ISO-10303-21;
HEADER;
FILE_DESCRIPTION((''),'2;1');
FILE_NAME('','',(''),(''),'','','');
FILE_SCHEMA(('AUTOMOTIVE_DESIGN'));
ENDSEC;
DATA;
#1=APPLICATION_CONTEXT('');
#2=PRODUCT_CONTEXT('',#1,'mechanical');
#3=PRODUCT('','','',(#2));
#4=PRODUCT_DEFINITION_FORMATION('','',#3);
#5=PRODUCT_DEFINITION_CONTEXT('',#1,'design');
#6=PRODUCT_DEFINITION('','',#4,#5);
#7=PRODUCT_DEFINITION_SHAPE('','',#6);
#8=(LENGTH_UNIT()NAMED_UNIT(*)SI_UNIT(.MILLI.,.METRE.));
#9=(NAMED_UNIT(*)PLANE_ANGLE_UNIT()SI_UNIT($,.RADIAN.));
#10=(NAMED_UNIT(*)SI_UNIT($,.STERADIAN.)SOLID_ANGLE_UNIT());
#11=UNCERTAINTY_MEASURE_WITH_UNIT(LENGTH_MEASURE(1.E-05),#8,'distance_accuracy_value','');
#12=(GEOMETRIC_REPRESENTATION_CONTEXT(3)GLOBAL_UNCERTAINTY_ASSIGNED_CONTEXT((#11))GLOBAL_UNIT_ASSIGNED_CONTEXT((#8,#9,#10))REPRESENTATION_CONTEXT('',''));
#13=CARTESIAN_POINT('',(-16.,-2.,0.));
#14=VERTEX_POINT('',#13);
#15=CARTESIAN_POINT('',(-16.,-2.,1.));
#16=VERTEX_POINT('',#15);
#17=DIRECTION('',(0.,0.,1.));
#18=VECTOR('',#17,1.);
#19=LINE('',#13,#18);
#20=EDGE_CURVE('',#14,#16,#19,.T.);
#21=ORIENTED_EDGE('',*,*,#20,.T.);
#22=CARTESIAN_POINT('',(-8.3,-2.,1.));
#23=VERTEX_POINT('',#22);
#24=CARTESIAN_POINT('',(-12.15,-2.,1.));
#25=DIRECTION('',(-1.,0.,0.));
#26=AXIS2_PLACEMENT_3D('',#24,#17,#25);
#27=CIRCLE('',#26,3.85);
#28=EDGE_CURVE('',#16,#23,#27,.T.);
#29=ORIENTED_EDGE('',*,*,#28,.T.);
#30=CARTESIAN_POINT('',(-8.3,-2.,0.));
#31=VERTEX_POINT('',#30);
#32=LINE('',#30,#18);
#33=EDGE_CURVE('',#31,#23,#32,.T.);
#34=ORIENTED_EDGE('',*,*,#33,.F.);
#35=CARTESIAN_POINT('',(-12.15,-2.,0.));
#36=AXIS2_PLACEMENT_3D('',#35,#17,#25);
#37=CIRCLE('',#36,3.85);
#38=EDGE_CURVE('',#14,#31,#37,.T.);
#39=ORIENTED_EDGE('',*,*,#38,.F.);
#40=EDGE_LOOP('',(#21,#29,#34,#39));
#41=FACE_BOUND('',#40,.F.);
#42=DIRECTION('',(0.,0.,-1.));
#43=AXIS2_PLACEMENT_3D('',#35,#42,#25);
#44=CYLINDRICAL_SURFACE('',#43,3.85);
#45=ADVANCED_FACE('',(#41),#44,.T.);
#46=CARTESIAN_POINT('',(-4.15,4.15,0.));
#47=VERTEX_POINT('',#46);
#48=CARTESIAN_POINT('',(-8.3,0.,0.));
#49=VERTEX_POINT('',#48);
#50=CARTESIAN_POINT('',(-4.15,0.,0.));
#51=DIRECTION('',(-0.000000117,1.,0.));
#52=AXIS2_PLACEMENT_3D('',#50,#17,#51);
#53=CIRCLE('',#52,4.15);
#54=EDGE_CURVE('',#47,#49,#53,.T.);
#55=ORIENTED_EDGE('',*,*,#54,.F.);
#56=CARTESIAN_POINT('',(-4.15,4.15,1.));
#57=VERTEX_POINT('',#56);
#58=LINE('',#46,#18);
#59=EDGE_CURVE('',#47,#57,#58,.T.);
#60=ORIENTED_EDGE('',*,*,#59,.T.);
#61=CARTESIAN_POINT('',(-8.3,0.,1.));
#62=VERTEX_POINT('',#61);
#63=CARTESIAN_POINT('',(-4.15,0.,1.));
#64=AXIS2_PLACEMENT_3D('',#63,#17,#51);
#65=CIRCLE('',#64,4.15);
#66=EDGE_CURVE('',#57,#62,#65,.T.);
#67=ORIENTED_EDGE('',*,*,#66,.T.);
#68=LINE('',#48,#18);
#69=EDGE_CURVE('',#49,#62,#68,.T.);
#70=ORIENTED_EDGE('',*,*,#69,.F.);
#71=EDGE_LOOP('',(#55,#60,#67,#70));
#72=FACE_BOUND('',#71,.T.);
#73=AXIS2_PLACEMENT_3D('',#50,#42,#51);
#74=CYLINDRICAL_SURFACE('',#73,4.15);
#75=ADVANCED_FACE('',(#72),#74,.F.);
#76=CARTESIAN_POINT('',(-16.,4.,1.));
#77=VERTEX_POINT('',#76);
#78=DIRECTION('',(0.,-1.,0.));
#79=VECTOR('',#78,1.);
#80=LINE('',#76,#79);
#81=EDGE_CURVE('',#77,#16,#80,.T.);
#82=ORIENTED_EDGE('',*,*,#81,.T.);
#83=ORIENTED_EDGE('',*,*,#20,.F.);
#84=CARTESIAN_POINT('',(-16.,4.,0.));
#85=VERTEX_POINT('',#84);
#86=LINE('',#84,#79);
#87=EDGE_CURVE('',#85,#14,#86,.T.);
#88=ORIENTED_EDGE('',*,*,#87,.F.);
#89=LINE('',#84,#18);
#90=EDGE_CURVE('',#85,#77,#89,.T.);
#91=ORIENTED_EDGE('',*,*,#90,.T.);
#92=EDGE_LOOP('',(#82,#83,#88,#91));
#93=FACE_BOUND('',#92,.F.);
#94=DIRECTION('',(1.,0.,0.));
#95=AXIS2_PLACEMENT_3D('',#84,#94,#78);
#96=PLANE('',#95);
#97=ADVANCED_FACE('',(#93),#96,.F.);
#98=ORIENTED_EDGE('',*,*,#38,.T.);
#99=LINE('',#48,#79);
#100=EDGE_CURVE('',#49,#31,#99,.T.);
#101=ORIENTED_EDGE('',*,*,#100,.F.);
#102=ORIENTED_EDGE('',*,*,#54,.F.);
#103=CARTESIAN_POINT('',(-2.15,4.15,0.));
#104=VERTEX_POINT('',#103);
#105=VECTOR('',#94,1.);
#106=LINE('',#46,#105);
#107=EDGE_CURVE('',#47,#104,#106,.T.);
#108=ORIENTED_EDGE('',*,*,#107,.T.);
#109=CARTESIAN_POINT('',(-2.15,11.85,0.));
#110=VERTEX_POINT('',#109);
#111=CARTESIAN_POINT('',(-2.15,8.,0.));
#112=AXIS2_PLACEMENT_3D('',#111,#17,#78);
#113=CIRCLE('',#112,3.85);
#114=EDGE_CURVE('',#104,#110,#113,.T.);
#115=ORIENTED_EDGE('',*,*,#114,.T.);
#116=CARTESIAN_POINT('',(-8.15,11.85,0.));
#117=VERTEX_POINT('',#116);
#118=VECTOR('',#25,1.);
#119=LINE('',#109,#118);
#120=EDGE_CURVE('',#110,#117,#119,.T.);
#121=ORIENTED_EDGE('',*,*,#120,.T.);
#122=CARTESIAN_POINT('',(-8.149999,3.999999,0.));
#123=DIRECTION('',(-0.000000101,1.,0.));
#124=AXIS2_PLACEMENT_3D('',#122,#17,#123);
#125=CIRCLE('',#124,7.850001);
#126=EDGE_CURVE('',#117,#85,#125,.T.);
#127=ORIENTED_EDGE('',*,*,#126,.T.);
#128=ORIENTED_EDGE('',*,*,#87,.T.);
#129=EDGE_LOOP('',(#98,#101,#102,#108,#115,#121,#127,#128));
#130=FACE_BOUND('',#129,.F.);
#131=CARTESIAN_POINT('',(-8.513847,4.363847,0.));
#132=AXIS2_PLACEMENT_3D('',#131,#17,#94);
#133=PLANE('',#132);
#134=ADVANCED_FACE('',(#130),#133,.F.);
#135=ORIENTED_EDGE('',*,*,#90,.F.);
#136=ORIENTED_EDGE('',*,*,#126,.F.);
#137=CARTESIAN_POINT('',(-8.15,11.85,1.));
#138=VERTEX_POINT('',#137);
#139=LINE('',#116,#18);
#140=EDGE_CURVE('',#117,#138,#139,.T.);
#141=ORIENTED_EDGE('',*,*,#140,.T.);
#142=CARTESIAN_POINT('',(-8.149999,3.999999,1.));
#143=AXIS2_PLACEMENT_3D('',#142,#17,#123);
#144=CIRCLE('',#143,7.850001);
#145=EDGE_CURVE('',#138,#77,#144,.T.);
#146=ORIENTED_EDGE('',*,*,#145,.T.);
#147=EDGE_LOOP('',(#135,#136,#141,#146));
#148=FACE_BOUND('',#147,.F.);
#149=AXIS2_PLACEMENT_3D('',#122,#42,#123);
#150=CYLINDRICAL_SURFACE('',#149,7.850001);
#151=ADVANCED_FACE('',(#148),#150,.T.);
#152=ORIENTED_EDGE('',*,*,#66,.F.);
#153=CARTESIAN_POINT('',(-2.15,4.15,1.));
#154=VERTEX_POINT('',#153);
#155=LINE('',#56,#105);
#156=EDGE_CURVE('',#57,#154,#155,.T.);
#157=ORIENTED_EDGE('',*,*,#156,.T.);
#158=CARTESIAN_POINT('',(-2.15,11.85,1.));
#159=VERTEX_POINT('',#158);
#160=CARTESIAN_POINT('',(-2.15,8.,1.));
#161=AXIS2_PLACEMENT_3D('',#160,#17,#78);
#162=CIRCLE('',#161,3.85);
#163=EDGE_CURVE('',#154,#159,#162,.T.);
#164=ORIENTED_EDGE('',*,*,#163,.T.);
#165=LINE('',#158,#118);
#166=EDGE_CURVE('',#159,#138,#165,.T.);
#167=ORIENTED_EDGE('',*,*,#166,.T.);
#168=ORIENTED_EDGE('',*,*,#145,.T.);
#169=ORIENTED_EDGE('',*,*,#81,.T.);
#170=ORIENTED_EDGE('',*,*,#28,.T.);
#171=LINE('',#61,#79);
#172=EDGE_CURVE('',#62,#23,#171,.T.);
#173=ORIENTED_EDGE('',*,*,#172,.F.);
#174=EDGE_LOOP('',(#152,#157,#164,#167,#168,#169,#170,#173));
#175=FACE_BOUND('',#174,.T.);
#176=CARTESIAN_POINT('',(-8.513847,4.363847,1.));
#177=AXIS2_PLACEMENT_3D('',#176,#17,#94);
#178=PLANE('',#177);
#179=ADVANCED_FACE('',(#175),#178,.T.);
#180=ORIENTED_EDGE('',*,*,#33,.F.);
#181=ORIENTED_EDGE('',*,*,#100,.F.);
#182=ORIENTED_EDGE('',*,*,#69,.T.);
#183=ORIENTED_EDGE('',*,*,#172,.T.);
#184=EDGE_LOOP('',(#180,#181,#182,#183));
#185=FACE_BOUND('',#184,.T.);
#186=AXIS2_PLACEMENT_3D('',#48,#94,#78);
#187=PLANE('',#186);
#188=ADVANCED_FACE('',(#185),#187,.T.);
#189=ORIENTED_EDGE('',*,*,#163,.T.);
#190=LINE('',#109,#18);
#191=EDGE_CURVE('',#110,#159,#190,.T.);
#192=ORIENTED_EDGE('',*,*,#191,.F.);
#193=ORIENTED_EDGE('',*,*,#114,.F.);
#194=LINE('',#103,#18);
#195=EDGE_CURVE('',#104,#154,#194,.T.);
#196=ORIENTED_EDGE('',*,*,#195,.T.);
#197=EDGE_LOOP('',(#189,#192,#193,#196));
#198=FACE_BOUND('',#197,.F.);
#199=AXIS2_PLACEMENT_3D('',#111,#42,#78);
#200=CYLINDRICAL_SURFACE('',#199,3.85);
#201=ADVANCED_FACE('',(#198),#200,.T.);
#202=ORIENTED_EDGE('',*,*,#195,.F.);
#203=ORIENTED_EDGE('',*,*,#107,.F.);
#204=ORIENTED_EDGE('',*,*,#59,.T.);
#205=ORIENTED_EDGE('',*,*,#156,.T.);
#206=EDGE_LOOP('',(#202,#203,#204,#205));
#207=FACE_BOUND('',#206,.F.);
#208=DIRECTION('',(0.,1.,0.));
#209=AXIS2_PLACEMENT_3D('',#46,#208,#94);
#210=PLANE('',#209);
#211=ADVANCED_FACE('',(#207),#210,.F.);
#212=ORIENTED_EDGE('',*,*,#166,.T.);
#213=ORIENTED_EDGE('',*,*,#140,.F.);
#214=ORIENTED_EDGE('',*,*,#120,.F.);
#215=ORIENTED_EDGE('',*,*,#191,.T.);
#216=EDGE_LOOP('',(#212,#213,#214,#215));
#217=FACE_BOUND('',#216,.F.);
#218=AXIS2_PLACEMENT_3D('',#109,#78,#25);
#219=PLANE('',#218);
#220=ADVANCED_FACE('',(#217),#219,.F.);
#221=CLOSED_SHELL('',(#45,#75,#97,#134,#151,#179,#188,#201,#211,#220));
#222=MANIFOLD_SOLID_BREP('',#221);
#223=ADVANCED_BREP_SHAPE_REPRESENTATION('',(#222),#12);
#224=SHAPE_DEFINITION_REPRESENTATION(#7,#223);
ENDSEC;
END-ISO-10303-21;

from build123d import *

# Parameters (mm, degrees)
PAD_DEPTH = 1


with BuildPart() as part:
    # Sketch → Pad (new body)
    with BuildSketch(Plane.XY):
        with BuildLine():
            Line((-4.15, 4.15), (-2.15, 4.15))
            ThreePointArc((-2.15, 4.15), (1.7, 8), (-2.15, 11.85))
            Line((-2.15, 11.85), (-8.15, 11.85))
            ThreePointArc((-8.15, 11.85), (-13.700788, 9.550788), (-16, 4))
            Line((-16, 4), (-16, -2))
            ThreePointArc((-16, -2), (-12.15, -5.85), (-8.3, -2))
            Line((-8.3, 0), (-8.3, -2))
            ThreePointArc((-4.15, 4.15), (-7.084493, 2.934493), (-8.3, 0))
        make_face()
    extrude(amount=PAD_DEPTH)


solid = part.part
